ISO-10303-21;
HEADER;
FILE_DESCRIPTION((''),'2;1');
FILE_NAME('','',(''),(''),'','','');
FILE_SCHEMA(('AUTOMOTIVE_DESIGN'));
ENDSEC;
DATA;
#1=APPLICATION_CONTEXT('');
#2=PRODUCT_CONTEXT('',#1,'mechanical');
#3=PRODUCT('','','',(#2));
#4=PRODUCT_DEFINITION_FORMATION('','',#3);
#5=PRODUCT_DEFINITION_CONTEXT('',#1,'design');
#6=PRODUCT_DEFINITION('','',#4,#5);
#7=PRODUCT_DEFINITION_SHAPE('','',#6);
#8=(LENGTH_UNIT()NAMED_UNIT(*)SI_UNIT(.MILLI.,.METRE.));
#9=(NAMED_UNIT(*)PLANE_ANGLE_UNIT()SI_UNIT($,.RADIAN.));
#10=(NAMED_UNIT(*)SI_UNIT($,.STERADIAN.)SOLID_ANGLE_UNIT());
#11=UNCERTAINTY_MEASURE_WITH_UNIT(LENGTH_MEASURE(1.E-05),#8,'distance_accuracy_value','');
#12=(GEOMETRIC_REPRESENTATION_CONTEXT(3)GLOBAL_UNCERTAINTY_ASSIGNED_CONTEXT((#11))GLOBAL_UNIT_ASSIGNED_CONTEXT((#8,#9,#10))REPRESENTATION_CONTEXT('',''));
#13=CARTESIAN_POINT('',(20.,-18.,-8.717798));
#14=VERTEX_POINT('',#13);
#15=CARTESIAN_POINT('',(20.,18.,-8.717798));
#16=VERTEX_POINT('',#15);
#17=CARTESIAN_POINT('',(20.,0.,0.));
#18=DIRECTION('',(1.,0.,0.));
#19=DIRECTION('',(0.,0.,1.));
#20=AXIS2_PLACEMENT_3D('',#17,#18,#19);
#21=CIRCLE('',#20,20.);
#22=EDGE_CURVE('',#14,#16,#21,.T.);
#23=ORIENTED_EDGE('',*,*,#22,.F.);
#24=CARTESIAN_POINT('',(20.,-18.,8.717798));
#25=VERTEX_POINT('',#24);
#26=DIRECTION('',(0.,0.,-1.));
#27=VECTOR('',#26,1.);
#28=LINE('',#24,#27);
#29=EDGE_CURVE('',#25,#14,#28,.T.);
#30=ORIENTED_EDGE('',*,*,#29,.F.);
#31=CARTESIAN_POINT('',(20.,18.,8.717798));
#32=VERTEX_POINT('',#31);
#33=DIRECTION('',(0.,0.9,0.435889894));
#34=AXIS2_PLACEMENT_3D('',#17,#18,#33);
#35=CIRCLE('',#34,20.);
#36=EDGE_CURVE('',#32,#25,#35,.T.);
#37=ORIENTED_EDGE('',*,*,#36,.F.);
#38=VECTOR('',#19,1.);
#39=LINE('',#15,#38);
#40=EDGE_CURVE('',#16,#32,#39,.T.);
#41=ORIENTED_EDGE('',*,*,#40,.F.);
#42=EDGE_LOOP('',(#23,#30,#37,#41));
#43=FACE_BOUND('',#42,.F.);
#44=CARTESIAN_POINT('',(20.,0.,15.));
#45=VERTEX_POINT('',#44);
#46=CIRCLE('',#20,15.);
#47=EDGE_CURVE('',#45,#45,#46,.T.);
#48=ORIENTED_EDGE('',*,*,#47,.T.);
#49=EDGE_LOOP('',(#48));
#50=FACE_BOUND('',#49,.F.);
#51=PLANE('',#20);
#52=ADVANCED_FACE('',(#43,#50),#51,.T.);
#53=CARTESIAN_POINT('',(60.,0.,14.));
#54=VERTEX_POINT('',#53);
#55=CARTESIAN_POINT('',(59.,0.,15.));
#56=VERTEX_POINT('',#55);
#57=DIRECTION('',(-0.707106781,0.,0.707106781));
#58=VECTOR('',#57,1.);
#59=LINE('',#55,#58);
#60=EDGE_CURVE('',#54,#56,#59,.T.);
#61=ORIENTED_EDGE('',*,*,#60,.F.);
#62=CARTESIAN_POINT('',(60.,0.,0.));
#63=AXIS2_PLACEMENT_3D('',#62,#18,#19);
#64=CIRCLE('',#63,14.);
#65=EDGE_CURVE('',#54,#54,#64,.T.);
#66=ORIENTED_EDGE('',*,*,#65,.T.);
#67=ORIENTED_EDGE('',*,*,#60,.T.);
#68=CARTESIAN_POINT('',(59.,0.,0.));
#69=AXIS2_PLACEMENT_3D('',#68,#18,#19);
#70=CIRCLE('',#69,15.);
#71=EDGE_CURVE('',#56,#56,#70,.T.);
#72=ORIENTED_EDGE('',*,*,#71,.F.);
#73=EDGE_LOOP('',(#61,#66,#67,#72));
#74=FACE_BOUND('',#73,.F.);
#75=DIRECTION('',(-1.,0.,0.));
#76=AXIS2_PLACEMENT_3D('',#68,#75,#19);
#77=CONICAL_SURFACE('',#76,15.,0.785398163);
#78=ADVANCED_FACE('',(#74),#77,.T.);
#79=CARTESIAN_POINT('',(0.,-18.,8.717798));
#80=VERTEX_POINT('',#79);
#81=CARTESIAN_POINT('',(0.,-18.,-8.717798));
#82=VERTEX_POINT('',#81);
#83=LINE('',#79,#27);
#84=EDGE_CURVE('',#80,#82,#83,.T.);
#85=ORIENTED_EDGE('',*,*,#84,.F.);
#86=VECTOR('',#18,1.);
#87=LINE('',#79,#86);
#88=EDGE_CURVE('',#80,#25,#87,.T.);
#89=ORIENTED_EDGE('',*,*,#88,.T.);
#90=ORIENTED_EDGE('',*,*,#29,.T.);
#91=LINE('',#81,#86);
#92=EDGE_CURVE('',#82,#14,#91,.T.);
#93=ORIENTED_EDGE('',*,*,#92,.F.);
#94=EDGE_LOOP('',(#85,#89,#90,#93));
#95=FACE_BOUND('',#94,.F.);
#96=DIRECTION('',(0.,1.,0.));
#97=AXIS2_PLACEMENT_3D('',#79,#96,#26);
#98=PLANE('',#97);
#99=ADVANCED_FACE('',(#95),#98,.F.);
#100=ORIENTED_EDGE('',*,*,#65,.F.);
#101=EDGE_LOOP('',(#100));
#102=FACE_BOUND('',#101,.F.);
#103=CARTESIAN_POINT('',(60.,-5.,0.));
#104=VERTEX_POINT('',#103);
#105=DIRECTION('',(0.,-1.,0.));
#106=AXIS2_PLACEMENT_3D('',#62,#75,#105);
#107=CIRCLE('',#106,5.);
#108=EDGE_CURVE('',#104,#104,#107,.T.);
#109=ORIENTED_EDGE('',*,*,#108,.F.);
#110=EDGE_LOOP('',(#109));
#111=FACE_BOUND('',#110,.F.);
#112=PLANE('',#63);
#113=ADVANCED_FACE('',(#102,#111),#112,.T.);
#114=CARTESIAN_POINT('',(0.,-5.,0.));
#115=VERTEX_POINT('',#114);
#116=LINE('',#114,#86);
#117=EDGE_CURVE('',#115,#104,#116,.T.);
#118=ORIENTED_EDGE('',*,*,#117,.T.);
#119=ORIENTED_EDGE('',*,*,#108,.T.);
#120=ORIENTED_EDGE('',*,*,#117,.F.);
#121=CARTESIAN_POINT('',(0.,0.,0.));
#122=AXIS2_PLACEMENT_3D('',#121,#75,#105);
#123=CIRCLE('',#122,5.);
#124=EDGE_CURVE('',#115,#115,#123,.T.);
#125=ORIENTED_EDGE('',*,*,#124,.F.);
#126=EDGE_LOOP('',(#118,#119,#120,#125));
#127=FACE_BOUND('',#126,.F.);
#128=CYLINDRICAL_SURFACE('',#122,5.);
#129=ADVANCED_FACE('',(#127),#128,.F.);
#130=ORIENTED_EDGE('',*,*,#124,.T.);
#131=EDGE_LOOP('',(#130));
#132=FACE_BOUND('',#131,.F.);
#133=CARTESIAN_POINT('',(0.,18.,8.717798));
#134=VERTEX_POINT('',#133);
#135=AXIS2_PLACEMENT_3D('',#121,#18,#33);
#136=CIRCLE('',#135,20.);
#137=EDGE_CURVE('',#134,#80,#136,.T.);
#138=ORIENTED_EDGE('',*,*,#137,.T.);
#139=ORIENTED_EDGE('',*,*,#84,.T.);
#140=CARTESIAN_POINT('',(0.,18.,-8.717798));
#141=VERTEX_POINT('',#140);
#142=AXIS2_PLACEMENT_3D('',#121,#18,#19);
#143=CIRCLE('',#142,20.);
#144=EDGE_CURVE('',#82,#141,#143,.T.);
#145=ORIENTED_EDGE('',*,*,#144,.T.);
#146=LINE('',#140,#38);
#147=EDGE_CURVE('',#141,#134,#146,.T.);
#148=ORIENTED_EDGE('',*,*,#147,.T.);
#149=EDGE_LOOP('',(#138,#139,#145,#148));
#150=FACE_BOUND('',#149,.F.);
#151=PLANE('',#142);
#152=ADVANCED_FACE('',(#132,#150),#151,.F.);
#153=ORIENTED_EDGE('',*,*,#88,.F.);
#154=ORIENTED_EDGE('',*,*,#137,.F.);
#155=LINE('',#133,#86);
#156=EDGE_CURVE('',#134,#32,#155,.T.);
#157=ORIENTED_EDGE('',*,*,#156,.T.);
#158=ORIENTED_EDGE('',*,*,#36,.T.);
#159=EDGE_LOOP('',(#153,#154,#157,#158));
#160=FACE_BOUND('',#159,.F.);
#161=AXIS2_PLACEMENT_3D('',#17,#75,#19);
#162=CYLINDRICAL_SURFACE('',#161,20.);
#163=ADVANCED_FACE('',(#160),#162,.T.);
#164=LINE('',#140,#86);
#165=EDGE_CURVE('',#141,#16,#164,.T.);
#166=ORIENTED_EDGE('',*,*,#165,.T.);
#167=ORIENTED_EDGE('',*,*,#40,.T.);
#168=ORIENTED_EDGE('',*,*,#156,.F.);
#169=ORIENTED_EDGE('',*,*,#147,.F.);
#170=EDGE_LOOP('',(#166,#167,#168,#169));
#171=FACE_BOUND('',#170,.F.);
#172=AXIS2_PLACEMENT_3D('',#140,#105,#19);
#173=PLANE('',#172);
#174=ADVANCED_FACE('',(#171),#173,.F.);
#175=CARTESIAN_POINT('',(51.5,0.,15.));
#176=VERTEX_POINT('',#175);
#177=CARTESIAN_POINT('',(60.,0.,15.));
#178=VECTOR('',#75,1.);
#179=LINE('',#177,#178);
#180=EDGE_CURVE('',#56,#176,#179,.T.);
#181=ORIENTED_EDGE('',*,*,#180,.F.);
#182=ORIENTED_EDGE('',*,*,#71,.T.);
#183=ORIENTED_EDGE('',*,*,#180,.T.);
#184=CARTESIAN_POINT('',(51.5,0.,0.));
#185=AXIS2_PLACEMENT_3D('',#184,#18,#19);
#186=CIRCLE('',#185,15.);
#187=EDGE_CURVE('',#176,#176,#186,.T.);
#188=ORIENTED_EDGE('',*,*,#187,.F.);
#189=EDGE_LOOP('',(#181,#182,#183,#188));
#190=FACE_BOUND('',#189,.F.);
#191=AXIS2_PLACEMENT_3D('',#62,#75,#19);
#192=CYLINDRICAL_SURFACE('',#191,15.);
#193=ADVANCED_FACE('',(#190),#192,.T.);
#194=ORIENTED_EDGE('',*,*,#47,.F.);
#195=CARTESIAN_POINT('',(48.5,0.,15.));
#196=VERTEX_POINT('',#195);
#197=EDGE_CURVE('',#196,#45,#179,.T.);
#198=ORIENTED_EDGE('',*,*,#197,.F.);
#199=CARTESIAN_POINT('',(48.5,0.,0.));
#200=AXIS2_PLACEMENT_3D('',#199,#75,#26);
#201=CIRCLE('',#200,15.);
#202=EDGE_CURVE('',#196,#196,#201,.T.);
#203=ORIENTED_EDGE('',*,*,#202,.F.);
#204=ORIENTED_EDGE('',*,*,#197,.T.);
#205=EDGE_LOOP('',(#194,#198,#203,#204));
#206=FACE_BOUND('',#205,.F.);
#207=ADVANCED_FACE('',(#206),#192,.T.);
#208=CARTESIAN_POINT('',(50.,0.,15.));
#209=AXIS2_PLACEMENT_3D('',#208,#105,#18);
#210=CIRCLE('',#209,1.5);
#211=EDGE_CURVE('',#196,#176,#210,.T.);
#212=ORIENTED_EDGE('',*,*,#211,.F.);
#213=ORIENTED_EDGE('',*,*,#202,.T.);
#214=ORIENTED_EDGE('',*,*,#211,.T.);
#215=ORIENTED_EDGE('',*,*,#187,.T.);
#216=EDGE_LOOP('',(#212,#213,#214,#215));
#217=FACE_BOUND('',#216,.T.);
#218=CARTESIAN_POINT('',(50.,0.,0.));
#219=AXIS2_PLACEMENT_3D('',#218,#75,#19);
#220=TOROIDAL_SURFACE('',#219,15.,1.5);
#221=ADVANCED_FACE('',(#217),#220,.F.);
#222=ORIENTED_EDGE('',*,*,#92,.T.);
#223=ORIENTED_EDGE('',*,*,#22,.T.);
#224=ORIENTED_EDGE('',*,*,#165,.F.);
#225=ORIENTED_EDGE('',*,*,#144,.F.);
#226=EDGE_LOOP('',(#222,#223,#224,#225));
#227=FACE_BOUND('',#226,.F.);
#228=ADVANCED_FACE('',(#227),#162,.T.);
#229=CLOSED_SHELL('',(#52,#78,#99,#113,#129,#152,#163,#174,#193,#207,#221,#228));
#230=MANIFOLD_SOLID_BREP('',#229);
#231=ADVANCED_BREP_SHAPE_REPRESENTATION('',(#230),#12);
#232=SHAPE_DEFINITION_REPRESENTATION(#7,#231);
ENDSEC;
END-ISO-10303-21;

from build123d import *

# Parameters (mm, degrees)
F3_SIZE  = 1
F1_R     = 1.5
F6_DEPTH = 20
F7_R     = 5
F8_DEPTH = 60


with BuildPart() as f2:
    # F0 (on Front) → F2 (revolve)
    with BuildSketch(Plane.XZ):
        Polygon((0, 20), (0, 0), (60, 0), (60, 15), (20, 15), (20, 20), align=None)
    revolve(axis=Axis((30, 0, 0), (1, 0, 0)))

    # F3
    f3_edges = [f2.edges().sort_by_distance(p)[0] for p in [
        (60, 0, -15),
    ]]
    chamfer(f3_edges, length=F3_SIZE)

    # F1 (on face) → F4 (revolve, cut)
    with BuildSketch(Plane.XZ):
        with Locations((50, 15)):
            Circle(F1_R)
    revolve(axis=Axis((30, 0, 0), (1, 0, 0)), mode=Mode.SUBTRACT)

    # F5 (on face) → F6 (cut, through all)
    with BuildSketch(Plane(origin=(0, 0, 0), x_dir=(0, -1, 0), z_dir=(-1, 0, 0))):
        with BuildLine():
            Line((18, 8.7177978871), (18, -8.7177978871))
            ThreePointArc((18, -8.7177978871), (19.4935886896, -4.472135955), (20, 0))
            ThreePointArc((20, 0), (19.4935886896, 4.472135955), (18, 8.7177978871))
        make_face()
        with BuildLine():
            ThreePointArc((-18, 8.7177978871), (-20, 0), (-18, -8.7177978871))
            Line((-18, -8.7177978871), (-18, 8.7177978871))
        make_face()
    extrude(amount=-F6_DEPTH, mode=Mode.SUBTRACT)

    # F7 (on face) → F8 (cut, through all)
    with BuildSketch(Plane(origin=(0, 0, 0), x_dir=(0, -1, 0), z_dir=(-1, 0, 0))):
        Circle(F7_R)
    extrude(amount=-F8_DEPTH, mode=Mode.SUBTRACT)


solid = f2.part
